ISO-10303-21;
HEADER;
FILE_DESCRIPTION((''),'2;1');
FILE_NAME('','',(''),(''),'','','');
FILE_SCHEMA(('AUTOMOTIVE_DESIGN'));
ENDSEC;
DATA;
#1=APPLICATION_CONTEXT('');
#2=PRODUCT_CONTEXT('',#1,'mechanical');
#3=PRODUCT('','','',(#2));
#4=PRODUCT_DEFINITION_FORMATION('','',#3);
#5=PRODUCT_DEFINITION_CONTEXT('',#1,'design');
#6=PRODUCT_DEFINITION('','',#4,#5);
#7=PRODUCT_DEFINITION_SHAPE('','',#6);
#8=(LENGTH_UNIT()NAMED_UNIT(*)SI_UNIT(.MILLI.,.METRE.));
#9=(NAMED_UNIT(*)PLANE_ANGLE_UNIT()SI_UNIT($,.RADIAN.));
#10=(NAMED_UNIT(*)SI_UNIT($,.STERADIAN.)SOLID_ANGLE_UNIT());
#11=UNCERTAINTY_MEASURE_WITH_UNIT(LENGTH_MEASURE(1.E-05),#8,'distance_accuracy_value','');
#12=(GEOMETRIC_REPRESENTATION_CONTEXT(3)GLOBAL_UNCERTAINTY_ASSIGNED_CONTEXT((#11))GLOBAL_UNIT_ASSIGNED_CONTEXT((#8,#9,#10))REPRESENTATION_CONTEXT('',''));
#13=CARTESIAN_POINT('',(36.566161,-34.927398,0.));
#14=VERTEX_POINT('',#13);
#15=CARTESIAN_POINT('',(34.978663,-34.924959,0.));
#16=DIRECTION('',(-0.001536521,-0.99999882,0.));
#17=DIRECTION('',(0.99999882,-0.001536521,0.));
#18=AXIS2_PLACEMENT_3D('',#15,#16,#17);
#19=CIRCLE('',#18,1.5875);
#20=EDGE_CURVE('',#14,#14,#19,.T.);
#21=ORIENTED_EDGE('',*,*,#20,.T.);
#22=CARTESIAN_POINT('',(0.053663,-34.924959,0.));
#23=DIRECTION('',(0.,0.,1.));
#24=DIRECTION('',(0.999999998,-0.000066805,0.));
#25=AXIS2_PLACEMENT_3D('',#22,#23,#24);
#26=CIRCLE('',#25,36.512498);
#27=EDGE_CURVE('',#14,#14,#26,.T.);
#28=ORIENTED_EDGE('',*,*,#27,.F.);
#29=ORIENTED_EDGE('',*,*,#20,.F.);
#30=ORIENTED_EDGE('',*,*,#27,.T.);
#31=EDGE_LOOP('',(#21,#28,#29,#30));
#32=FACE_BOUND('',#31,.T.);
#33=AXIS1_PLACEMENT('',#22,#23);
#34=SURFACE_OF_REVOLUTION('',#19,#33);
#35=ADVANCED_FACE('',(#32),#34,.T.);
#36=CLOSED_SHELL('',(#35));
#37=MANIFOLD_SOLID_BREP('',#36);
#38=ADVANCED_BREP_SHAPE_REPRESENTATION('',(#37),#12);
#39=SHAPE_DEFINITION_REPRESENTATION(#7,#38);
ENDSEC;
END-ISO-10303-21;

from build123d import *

# Parameters (mm, degrees)
F0_R = 1.5875


with BuildPart() as f2:
    # F2: sweep along a path in F1
    with BuildLine(Plane.XY) as f2_path:
        CenterArc((0.053663, -34.924959), 34.925, 0, 360)
    # F0 (on Right) → F2 (sweep)
    with BuildSketch(Plane.YZ):
        Circle(F0_R)
    sweep(path=f2_path.line)


solid = f2.part
